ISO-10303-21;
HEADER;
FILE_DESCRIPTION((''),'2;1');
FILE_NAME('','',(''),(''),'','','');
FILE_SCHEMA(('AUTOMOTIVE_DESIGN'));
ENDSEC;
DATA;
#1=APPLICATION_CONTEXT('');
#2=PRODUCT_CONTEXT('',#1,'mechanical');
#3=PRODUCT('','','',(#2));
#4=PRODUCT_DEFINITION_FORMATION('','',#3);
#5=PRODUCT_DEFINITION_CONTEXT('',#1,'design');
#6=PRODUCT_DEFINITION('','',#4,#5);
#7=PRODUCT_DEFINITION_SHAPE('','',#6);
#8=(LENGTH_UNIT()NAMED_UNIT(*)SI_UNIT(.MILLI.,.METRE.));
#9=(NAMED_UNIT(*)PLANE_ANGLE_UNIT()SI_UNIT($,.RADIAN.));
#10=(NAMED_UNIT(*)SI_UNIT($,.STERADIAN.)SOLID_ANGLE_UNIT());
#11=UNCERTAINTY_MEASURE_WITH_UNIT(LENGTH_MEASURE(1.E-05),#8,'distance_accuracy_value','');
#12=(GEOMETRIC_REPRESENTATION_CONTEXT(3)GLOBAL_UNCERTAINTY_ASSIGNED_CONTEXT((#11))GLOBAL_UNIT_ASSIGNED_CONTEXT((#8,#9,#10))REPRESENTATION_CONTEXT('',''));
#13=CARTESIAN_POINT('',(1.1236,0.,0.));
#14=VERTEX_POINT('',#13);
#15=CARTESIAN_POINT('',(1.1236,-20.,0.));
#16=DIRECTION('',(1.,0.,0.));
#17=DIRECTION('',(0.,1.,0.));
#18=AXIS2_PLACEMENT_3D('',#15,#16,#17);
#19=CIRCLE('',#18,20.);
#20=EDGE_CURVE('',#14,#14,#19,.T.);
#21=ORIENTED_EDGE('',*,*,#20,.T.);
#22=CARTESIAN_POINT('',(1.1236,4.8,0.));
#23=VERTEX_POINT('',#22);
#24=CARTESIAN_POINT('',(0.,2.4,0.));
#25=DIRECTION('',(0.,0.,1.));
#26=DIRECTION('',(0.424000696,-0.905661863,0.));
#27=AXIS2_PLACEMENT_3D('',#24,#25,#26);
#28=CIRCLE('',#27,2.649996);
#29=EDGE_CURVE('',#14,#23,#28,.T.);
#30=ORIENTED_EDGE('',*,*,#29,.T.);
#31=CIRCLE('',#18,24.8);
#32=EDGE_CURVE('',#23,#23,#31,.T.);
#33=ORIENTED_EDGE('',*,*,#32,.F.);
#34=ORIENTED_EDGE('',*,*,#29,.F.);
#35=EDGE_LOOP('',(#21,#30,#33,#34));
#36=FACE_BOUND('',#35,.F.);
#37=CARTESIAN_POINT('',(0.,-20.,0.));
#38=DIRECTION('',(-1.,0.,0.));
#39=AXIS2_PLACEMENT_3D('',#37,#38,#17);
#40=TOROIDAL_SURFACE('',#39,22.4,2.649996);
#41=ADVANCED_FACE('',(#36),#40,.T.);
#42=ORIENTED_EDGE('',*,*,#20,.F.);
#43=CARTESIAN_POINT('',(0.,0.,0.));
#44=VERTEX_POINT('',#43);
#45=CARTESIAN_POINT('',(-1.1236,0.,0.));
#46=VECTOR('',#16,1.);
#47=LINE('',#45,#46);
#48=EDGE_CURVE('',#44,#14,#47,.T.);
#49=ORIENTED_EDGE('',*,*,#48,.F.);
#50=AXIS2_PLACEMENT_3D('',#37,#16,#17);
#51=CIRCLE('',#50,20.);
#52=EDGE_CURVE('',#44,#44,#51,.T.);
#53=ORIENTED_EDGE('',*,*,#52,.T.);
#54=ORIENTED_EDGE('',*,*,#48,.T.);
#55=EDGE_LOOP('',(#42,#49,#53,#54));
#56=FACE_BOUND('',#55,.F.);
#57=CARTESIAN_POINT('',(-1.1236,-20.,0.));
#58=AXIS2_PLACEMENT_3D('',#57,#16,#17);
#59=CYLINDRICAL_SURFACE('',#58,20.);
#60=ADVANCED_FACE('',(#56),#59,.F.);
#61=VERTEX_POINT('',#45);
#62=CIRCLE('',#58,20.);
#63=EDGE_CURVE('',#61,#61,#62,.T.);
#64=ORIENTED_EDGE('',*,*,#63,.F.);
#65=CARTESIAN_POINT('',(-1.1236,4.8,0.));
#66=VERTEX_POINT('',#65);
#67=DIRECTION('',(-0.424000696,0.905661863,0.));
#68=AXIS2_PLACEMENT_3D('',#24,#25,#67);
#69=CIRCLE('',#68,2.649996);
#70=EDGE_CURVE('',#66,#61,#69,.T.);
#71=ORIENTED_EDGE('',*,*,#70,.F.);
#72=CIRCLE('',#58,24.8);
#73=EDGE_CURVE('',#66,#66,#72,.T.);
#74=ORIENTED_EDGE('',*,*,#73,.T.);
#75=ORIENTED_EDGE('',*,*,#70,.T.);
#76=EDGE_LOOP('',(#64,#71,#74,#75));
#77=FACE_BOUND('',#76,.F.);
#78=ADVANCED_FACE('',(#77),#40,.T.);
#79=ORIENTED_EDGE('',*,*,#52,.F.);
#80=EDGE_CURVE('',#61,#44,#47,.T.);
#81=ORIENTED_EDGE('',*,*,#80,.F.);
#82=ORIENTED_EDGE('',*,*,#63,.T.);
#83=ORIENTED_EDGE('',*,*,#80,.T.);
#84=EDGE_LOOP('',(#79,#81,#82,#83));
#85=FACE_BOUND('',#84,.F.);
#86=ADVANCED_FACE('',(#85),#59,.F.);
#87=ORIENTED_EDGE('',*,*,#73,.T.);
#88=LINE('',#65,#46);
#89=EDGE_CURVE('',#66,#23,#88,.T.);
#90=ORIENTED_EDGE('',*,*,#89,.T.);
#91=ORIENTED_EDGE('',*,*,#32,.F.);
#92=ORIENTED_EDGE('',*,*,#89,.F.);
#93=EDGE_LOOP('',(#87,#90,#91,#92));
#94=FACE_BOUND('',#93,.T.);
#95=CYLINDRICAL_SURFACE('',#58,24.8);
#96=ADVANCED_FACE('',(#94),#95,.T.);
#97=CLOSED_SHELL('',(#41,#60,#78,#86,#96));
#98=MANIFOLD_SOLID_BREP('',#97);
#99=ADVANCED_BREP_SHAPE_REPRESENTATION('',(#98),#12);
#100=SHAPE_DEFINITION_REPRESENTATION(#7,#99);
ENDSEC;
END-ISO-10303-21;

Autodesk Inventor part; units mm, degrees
ref_plane "YZ Plane" through (0, 0, 0) normal (1, 0, 0) x (0, 1, 0)
ref_plane "XZ Plane" through (0, 0, 0) normal (0, 1, 0) x (-1, 0, 0)
ref_plane "XY Plane" through (0, 0, 0) normal (0, 0, 1) x (1, 0, 0)
sketch "Sketch1" plane through (0, 0, 0) normal (0, 0, 1) x (1, 0, 0)
  line L0 (-0.0113, 0) -> (-0.0113, 0) construction
  line L1 (-1.1236, 4.8) -> (1.1236, 4.8)
  line L2 (-1.1236, 0) -> (1.1236, 0)
  arc A0 (-1.1236, 4.8) -> (-1.1236, 0) centre (0, 2.4) ccw
  line L3 (-4, -20) -> (6.0335, -20)
  line L4 (-6.0067, 0) -> (8.0403, 0) projected
  line L5 (0, 4.64) -> (0, -12.44) projected
  arc A1 (1.1236, 0) -> (1.1236, 4.8) centre (0, 2.4) ccw
  dimension "d0" = 40
  dimension "d1" = 2.4
  dimension "d2" = 2.65
  dimension "d3" = 2.4
  dimension "d4" = 4.8
revolve "Body" add sketch "Sketch1" angle 360 about axis through (-4, -20, 0) along (1, 0, 0)
equation "\"d0\" = NND"
equation "\"d1\" = -0.25 * NND + 0.25 * NDOR"
equation "\"d2\" = 0.5 * QDM"
equation "\"d3\" = -0.25 * NND + 0.25 * NDOR"
equation "\"d4\" = -0.5 * NND + 0.5 * NDOR"
equation "\"QDM\" = 5.3"
equation "\"NND\" = 40"
equation "\"NDOR\" = 49.6"
equation "\"R1\" = 0.6"
equation "\"R2\" = 0.2"
equation "\"SD1\" = 41.2"
equation "\"NB1\" = 6.9"
equation "\"BD\" = 40.18"
equation "\"NTOR\" = -0.5 * NND + 0.5 * NDOR"
properties part number "ISO 3601-1 - D 0412 G" material "Rubber"
